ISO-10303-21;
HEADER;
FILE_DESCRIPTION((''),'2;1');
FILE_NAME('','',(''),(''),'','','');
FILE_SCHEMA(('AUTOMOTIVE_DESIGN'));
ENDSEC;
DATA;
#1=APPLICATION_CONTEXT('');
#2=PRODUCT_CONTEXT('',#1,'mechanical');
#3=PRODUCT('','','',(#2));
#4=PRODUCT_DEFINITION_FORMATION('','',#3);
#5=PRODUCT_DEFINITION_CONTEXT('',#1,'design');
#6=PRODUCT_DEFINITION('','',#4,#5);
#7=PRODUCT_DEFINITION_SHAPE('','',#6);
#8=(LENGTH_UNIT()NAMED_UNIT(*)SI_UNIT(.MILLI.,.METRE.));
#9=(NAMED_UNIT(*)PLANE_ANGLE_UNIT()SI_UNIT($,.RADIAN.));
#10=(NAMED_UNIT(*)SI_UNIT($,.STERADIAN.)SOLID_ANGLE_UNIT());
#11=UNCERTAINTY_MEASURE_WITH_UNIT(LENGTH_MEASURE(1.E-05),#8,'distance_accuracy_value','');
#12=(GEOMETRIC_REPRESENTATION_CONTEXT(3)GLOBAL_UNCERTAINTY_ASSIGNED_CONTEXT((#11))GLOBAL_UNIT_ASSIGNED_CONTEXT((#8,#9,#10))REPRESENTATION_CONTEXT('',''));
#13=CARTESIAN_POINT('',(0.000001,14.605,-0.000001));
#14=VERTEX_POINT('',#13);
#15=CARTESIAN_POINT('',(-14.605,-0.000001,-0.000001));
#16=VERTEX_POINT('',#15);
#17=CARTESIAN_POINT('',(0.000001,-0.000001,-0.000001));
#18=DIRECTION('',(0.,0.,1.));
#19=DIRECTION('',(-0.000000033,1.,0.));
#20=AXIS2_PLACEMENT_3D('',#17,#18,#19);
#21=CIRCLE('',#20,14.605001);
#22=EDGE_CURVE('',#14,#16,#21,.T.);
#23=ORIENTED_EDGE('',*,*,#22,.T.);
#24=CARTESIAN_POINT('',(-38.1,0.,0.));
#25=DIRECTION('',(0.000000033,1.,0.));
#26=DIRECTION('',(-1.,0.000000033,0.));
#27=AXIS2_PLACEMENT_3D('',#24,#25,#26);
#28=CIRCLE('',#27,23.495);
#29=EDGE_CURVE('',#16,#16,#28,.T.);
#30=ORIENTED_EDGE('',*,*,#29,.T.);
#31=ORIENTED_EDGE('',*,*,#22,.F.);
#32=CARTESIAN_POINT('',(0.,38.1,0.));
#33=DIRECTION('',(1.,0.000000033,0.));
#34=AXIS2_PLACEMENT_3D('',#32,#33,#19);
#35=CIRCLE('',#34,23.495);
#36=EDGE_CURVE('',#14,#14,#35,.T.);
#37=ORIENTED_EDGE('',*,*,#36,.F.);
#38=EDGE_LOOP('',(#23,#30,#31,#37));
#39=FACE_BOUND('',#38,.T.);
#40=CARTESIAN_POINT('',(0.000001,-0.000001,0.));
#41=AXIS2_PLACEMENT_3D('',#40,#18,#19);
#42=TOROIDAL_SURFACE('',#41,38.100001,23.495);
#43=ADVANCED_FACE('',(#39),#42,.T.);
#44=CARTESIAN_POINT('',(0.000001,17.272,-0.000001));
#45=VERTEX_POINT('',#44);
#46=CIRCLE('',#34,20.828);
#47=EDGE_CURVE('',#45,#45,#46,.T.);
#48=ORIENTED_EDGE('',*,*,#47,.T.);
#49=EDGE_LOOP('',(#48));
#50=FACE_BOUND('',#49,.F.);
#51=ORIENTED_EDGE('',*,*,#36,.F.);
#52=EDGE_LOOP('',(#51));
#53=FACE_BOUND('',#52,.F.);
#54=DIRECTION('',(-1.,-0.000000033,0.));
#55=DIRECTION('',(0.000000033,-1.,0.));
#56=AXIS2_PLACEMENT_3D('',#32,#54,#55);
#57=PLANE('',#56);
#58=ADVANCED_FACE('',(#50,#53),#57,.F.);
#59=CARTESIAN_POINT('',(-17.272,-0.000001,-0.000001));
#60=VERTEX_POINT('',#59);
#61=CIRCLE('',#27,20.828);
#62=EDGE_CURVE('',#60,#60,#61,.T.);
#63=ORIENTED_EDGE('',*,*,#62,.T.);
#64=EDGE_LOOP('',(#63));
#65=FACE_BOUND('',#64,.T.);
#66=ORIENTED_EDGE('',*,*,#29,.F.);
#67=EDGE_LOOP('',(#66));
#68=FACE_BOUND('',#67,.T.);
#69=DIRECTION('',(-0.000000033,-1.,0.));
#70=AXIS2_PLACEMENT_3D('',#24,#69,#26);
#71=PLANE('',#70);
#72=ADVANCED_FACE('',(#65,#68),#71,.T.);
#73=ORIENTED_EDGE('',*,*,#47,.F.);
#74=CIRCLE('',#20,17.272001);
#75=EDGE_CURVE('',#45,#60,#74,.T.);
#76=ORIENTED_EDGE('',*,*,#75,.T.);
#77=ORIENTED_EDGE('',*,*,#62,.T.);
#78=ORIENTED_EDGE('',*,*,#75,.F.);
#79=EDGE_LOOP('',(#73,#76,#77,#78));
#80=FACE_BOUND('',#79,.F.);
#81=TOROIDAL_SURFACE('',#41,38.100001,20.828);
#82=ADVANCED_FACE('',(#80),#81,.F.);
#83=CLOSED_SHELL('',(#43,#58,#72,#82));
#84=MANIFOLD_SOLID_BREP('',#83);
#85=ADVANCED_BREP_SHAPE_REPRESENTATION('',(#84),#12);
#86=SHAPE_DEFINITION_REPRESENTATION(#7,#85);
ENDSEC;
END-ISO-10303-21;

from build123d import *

# Parameters (mm, degrees)
F1_R   = 23.495
F1_R_2 = 20.828


with BuildPart() as f2:
    # F2: sweep along a path in F0
    with BuildLine(Plane.XY) as f2_path:
        ThreePointArc((0, 38.1), (-26.940768, 26.940768), (-38.1, 0))
    # F1 (on Front) → F2 (sweep)
    with BuildSketch(Plane.XZ):
        with Locations((-38.1, 0)):
            Circle(F1_R)
        with Locations((-38.1, 0)):
            Circle(F1_R_2, mode=Mode.SUBTRACT)
    sweep(path=f2_path.line)


solid = f2.part
